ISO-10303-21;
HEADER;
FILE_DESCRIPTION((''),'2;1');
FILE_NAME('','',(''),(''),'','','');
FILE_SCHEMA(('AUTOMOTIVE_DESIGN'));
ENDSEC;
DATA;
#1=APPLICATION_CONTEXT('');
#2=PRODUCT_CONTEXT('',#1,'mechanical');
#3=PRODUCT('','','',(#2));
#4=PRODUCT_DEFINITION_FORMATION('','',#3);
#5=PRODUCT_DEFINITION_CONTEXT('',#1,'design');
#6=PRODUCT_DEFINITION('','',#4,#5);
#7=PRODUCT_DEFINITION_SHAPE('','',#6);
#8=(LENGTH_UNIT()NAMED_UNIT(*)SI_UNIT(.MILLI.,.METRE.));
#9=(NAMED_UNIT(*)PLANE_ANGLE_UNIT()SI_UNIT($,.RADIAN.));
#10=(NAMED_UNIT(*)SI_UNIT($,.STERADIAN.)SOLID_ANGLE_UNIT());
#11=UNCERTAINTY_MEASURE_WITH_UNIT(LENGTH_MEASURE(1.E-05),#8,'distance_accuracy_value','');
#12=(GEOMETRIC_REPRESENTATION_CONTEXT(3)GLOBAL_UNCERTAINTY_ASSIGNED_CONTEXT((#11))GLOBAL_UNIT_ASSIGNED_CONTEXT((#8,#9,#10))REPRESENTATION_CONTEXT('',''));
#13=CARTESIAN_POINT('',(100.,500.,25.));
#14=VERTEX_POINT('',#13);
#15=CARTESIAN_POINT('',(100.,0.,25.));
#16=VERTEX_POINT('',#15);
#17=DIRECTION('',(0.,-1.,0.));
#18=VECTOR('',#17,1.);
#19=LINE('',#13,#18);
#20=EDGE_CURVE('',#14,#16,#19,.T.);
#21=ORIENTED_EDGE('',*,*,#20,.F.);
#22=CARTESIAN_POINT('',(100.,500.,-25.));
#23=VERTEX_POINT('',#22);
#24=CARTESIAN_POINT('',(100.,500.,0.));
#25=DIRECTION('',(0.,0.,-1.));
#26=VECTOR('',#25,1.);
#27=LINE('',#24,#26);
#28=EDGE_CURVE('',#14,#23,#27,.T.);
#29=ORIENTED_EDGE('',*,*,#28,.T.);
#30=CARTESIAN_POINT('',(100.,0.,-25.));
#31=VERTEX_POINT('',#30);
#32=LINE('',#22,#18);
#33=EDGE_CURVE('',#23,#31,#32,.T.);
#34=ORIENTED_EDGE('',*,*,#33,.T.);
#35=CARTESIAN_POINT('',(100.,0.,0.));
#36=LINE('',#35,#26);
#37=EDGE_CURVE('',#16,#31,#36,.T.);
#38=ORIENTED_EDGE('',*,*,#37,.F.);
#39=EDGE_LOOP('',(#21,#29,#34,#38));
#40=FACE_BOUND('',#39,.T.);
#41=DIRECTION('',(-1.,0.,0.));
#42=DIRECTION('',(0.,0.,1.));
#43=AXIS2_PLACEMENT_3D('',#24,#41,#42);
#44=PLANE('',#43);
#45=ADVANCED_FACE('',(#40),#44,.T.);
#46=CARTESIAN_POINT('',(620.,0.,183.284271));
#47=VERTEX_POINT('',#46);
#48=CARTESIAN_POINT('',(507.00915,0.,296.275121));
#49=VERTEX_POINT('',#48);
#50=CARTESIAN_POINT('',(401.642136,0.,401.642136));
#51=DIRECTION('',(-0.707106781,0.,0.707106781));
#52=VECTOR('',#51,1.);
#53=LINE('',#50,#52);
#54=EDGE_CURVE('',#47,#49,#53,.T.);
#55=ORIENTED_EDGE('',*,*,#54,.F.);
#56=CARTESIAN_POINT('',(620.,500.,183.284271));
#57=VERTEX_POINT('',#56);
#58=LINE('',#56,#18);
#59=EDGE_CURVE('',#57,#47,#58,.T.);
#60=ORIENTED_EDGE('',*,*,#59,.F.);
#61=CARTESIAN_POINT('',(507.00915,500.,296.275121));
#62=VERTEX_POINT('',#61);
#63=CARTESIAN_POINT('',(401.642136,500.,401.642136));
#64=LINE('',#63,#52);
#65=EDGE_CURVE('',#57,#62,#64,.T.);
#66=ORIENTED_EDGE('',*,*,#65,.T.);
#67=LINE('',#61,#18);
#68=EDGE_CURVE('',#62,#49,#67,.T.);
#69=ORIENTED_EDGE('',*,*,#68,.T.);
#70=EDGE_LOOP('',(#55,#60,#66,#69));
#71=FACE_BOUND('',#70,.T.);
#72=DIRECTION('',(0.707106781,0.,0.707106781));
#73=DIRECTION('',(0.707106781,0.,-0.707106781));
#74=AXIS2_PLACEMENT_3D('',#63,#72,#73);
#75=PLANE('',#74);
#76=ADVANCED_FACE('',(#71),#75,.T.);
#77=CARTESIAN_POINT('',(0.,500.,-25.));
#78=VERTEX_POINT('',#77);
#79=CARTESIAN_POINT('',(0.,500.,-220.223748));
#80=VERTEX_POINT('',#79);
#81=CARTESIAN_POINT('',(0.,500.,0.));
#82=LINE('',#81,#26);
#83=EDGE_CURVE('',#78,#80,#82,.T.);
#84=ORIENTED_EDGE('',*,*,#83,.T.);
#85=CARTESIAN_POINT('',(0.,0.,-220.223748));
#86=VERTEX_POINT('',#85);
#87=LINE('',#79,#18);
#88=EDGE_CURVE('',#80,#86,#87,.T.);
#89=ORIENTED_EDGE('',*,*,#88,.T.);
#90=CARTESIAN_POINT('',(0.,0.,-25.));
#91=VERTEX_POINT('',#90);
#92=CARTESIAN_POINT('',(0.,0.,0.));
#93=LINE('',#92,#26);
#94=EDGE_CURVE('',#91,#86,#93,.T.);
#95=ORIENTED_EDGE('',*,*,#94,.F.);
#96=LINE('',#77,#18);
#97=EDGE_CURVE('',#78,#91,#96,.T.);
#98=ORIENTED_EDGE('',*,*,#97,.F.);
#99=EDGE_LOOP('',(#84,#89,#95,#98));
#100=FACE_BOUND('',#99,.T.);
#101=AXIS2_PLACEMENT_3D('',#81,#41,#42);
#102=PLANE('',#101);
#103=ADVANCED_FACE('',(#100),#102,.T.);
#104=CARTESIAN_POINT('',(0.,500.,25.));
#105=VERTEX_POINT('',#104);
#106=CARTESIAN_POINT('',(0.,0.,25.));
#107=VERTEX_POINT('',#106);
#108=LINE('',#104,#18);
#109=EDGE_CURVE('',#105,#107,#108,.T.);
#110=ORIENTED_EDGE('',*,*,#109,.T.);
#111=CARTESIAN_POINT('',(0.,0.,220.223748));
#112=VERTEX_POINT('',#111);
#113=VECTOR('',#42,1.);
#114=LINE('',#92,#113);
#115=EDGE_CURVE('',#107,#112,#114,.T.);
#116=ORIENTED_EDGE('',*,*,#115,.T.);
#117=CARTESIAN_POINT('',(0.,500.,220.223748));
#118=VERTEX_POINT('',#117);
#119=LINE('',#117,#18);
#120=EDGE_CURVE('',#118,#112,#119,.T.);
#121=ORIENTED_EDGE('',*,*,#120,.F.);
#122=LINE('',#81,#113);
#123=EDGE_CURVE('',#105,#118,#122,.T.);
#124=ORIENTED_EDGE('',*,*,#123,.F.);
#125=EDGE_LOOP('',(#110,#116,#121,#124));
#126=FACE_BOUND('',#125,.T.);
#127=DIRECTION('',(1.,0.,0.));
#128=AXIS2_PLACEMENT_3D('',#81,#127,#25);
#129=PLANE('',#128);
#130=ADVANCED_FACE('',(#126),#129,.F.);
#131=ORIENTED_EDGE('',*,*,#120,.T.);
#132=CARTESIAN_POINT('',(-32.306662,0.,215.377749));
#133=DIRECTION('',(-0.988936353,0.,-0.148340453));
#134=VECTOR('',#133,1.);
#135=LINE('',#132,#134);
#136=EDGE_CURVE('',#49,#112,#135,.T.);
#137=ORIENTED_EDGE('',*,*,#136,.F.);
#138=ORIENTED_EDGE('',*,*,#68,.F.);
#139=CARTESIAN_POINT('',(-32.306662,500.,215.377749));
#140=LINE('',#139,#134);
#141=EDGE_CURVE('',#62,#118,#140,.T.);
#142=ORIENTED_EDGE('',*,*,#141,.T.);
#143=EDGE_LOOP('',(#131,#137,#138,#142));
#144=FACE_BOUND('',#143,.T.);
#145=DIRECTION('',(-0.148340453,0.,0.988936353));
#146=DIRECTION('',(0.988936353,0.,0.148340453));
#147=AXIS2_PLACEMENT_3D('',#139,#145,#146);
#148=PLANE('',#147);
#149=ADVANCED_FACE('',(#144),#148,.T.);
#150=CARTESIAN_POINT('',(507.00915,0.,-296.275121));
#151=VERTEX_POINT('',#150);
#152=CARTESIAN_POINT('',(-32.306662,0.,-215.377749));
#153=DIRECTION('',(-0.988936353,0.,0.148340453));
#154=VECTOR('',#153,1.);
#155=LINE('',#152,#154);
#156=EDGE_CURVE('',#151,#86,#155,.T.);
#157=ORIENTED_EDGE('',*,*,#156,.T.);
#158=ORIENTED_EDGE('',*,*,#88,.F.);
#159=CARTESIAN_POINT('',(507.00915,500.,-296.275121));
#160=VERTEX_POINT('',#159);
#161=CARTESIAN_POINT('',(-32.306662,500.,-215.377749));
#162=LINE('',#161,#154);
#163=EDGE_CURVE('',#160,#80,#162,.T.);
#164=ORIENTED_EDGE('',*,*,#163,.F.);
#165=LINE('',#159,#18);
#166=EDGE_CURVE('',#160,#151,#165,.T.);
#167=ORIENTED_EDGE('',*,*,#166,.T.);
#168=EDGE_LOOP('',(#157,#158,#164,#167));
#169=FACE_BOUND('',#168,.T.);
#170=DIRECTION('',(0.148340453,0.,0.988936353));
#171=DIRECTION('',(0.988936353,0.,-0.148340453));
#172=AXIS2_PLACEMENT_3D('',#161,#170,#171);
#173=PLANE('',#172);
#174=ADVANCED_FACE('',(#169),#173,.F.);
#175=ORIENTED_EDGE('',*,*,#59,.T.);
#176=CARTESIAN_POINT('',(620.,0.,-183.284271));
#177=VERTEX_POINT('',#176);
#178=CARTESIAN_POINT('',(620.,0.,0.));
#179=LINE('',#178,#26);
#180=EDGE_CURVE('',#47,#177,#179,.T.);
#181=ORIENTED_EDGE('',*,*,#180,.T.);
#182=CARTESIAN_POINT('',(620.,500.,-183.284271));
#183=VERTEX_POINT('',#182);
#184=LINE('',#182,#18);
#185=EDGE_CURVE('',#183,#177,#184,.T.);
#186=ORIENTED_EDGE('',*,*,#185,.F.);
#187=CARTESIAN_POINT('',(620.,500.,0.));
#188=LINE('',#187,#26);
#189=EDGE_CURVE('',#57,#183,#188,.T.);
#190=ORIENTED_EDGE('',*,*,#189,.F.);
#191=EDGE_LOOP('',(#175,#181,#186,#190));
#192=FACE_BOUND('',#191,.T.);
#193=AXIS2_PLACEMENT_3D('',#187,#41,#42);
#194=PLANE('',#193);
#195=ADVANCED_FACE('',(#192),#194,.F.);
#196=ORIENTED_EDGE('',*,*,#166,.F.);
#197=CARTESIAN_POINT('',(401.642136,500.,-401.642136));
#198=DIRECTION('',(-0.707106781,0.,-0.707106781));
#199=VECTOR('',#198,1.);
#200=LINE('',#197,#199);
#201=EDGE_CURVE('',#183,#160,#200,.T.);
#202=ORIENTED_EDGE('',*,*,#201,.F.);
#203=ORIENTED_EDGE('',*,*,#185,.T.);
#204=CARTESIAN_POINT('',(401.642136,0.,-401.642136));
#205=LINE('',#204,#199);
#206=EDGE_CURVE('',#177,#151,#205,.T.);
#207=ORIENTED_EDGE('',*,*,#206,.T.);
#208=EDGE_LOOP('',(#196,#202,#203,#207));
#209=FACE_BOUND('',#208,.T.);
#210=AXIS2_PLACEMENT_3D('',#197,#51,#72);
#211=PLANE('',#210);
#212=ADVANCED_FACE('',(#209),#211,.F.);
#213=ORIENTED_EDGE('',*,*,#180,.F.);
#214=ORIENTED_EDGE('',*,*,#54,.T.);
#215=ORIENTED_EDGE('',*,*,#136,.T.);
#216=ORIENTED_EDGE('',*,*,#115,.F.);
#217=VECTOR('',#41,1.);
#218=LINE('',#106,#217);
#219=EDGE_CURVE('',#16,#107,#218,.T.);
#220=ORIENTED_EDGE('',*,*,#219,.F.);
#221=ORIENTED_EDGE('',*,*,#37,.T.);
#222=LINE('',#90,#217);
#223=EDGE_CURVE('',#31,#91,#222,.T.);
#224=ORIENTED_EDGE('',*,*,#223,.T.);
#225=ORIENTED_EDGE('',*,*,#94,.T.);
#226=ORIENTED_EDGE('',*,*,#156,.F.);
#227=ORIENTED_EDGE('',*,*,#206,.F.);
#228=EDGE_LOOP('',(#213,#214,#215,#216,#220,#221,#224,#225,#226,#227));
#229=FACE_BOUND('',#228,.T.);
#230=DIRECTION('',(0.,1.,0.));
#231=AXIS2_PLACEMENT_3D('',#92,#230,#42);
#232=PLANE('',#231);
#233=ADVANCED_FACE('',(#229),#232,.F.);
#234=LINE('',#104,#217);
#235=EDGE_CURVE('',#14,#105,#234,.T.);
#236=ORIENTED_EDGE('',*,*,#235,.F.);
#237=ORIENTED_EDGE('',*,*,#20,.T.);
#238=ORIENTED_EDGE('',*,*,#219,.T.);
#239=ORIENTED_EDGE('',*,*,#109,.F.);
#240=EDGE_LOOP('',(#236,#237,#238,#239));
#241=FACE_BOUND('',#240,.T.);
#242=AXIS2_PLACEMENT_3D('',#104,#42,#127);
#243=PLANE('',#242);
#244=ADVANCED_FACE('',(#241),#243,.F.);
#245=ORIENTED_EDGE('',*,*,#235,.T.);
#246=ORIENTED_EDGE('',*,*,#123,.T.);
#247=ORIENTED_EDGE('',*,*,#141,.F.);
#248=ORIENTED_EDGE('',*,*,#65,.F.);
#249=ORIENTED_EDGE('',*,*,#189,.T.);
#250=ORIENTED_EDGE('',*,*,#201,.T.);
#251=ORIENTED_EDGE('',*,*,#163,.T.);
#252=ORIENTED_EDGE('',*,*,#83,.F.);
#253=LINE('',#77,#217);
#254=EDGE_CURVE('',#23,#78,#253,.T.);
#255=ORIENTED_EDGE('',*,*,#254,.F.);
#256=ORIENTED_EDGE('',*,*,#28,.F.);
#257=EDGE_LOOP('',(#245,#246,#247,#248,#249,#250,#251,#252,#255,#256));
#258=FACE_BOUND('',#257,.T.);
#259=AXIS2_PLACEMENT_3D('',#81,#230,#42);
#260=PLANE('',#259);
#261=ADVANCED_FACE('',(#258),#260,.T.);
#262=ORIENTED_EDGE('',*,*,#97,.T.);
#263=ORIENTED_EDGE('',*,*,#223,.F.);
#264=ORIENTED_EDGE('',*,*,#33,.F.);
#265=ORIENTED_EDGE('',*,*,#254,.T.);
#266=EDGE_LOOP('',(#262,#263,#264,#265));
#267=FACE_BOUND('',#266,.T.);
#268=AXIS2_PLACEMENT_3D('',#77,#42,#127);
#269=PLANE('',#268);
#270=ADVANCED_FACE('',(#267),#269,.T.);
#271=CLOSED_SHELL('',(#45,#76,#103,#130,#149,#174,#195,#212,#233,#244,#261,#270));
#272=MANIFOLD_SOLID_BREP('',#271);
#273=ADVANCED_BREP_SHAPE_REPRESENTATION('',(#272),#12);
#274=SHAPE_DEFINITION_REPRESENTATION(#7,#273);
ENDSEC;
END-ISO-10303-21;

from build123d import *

# Parameters (mm, degrees)
BOSS_EXTRUDE1_DEPTH = 500


with BuildPart() as part:
    # Sketch1 → Boss-Extrude1 (new body)
    with BuildSketch(Plane(origin=(0, 0, 0), x_dir=(1, 0, 0), z_dir=(0, 1, 0))):
        Polygon((100, 25), (100, -25), (0, -25), (0, -200), (0, -220.223748416), (507.009150288, -296.275120959), (620, -183.284271247), (620, 183.284271247), (507.009150288, 296.275120959), (0, 220.223748416), (0, 200), (0, 25), align=None)
    extrude(amount=BOSS_EXTRUDE1_DEPTH)


solid = part.part
